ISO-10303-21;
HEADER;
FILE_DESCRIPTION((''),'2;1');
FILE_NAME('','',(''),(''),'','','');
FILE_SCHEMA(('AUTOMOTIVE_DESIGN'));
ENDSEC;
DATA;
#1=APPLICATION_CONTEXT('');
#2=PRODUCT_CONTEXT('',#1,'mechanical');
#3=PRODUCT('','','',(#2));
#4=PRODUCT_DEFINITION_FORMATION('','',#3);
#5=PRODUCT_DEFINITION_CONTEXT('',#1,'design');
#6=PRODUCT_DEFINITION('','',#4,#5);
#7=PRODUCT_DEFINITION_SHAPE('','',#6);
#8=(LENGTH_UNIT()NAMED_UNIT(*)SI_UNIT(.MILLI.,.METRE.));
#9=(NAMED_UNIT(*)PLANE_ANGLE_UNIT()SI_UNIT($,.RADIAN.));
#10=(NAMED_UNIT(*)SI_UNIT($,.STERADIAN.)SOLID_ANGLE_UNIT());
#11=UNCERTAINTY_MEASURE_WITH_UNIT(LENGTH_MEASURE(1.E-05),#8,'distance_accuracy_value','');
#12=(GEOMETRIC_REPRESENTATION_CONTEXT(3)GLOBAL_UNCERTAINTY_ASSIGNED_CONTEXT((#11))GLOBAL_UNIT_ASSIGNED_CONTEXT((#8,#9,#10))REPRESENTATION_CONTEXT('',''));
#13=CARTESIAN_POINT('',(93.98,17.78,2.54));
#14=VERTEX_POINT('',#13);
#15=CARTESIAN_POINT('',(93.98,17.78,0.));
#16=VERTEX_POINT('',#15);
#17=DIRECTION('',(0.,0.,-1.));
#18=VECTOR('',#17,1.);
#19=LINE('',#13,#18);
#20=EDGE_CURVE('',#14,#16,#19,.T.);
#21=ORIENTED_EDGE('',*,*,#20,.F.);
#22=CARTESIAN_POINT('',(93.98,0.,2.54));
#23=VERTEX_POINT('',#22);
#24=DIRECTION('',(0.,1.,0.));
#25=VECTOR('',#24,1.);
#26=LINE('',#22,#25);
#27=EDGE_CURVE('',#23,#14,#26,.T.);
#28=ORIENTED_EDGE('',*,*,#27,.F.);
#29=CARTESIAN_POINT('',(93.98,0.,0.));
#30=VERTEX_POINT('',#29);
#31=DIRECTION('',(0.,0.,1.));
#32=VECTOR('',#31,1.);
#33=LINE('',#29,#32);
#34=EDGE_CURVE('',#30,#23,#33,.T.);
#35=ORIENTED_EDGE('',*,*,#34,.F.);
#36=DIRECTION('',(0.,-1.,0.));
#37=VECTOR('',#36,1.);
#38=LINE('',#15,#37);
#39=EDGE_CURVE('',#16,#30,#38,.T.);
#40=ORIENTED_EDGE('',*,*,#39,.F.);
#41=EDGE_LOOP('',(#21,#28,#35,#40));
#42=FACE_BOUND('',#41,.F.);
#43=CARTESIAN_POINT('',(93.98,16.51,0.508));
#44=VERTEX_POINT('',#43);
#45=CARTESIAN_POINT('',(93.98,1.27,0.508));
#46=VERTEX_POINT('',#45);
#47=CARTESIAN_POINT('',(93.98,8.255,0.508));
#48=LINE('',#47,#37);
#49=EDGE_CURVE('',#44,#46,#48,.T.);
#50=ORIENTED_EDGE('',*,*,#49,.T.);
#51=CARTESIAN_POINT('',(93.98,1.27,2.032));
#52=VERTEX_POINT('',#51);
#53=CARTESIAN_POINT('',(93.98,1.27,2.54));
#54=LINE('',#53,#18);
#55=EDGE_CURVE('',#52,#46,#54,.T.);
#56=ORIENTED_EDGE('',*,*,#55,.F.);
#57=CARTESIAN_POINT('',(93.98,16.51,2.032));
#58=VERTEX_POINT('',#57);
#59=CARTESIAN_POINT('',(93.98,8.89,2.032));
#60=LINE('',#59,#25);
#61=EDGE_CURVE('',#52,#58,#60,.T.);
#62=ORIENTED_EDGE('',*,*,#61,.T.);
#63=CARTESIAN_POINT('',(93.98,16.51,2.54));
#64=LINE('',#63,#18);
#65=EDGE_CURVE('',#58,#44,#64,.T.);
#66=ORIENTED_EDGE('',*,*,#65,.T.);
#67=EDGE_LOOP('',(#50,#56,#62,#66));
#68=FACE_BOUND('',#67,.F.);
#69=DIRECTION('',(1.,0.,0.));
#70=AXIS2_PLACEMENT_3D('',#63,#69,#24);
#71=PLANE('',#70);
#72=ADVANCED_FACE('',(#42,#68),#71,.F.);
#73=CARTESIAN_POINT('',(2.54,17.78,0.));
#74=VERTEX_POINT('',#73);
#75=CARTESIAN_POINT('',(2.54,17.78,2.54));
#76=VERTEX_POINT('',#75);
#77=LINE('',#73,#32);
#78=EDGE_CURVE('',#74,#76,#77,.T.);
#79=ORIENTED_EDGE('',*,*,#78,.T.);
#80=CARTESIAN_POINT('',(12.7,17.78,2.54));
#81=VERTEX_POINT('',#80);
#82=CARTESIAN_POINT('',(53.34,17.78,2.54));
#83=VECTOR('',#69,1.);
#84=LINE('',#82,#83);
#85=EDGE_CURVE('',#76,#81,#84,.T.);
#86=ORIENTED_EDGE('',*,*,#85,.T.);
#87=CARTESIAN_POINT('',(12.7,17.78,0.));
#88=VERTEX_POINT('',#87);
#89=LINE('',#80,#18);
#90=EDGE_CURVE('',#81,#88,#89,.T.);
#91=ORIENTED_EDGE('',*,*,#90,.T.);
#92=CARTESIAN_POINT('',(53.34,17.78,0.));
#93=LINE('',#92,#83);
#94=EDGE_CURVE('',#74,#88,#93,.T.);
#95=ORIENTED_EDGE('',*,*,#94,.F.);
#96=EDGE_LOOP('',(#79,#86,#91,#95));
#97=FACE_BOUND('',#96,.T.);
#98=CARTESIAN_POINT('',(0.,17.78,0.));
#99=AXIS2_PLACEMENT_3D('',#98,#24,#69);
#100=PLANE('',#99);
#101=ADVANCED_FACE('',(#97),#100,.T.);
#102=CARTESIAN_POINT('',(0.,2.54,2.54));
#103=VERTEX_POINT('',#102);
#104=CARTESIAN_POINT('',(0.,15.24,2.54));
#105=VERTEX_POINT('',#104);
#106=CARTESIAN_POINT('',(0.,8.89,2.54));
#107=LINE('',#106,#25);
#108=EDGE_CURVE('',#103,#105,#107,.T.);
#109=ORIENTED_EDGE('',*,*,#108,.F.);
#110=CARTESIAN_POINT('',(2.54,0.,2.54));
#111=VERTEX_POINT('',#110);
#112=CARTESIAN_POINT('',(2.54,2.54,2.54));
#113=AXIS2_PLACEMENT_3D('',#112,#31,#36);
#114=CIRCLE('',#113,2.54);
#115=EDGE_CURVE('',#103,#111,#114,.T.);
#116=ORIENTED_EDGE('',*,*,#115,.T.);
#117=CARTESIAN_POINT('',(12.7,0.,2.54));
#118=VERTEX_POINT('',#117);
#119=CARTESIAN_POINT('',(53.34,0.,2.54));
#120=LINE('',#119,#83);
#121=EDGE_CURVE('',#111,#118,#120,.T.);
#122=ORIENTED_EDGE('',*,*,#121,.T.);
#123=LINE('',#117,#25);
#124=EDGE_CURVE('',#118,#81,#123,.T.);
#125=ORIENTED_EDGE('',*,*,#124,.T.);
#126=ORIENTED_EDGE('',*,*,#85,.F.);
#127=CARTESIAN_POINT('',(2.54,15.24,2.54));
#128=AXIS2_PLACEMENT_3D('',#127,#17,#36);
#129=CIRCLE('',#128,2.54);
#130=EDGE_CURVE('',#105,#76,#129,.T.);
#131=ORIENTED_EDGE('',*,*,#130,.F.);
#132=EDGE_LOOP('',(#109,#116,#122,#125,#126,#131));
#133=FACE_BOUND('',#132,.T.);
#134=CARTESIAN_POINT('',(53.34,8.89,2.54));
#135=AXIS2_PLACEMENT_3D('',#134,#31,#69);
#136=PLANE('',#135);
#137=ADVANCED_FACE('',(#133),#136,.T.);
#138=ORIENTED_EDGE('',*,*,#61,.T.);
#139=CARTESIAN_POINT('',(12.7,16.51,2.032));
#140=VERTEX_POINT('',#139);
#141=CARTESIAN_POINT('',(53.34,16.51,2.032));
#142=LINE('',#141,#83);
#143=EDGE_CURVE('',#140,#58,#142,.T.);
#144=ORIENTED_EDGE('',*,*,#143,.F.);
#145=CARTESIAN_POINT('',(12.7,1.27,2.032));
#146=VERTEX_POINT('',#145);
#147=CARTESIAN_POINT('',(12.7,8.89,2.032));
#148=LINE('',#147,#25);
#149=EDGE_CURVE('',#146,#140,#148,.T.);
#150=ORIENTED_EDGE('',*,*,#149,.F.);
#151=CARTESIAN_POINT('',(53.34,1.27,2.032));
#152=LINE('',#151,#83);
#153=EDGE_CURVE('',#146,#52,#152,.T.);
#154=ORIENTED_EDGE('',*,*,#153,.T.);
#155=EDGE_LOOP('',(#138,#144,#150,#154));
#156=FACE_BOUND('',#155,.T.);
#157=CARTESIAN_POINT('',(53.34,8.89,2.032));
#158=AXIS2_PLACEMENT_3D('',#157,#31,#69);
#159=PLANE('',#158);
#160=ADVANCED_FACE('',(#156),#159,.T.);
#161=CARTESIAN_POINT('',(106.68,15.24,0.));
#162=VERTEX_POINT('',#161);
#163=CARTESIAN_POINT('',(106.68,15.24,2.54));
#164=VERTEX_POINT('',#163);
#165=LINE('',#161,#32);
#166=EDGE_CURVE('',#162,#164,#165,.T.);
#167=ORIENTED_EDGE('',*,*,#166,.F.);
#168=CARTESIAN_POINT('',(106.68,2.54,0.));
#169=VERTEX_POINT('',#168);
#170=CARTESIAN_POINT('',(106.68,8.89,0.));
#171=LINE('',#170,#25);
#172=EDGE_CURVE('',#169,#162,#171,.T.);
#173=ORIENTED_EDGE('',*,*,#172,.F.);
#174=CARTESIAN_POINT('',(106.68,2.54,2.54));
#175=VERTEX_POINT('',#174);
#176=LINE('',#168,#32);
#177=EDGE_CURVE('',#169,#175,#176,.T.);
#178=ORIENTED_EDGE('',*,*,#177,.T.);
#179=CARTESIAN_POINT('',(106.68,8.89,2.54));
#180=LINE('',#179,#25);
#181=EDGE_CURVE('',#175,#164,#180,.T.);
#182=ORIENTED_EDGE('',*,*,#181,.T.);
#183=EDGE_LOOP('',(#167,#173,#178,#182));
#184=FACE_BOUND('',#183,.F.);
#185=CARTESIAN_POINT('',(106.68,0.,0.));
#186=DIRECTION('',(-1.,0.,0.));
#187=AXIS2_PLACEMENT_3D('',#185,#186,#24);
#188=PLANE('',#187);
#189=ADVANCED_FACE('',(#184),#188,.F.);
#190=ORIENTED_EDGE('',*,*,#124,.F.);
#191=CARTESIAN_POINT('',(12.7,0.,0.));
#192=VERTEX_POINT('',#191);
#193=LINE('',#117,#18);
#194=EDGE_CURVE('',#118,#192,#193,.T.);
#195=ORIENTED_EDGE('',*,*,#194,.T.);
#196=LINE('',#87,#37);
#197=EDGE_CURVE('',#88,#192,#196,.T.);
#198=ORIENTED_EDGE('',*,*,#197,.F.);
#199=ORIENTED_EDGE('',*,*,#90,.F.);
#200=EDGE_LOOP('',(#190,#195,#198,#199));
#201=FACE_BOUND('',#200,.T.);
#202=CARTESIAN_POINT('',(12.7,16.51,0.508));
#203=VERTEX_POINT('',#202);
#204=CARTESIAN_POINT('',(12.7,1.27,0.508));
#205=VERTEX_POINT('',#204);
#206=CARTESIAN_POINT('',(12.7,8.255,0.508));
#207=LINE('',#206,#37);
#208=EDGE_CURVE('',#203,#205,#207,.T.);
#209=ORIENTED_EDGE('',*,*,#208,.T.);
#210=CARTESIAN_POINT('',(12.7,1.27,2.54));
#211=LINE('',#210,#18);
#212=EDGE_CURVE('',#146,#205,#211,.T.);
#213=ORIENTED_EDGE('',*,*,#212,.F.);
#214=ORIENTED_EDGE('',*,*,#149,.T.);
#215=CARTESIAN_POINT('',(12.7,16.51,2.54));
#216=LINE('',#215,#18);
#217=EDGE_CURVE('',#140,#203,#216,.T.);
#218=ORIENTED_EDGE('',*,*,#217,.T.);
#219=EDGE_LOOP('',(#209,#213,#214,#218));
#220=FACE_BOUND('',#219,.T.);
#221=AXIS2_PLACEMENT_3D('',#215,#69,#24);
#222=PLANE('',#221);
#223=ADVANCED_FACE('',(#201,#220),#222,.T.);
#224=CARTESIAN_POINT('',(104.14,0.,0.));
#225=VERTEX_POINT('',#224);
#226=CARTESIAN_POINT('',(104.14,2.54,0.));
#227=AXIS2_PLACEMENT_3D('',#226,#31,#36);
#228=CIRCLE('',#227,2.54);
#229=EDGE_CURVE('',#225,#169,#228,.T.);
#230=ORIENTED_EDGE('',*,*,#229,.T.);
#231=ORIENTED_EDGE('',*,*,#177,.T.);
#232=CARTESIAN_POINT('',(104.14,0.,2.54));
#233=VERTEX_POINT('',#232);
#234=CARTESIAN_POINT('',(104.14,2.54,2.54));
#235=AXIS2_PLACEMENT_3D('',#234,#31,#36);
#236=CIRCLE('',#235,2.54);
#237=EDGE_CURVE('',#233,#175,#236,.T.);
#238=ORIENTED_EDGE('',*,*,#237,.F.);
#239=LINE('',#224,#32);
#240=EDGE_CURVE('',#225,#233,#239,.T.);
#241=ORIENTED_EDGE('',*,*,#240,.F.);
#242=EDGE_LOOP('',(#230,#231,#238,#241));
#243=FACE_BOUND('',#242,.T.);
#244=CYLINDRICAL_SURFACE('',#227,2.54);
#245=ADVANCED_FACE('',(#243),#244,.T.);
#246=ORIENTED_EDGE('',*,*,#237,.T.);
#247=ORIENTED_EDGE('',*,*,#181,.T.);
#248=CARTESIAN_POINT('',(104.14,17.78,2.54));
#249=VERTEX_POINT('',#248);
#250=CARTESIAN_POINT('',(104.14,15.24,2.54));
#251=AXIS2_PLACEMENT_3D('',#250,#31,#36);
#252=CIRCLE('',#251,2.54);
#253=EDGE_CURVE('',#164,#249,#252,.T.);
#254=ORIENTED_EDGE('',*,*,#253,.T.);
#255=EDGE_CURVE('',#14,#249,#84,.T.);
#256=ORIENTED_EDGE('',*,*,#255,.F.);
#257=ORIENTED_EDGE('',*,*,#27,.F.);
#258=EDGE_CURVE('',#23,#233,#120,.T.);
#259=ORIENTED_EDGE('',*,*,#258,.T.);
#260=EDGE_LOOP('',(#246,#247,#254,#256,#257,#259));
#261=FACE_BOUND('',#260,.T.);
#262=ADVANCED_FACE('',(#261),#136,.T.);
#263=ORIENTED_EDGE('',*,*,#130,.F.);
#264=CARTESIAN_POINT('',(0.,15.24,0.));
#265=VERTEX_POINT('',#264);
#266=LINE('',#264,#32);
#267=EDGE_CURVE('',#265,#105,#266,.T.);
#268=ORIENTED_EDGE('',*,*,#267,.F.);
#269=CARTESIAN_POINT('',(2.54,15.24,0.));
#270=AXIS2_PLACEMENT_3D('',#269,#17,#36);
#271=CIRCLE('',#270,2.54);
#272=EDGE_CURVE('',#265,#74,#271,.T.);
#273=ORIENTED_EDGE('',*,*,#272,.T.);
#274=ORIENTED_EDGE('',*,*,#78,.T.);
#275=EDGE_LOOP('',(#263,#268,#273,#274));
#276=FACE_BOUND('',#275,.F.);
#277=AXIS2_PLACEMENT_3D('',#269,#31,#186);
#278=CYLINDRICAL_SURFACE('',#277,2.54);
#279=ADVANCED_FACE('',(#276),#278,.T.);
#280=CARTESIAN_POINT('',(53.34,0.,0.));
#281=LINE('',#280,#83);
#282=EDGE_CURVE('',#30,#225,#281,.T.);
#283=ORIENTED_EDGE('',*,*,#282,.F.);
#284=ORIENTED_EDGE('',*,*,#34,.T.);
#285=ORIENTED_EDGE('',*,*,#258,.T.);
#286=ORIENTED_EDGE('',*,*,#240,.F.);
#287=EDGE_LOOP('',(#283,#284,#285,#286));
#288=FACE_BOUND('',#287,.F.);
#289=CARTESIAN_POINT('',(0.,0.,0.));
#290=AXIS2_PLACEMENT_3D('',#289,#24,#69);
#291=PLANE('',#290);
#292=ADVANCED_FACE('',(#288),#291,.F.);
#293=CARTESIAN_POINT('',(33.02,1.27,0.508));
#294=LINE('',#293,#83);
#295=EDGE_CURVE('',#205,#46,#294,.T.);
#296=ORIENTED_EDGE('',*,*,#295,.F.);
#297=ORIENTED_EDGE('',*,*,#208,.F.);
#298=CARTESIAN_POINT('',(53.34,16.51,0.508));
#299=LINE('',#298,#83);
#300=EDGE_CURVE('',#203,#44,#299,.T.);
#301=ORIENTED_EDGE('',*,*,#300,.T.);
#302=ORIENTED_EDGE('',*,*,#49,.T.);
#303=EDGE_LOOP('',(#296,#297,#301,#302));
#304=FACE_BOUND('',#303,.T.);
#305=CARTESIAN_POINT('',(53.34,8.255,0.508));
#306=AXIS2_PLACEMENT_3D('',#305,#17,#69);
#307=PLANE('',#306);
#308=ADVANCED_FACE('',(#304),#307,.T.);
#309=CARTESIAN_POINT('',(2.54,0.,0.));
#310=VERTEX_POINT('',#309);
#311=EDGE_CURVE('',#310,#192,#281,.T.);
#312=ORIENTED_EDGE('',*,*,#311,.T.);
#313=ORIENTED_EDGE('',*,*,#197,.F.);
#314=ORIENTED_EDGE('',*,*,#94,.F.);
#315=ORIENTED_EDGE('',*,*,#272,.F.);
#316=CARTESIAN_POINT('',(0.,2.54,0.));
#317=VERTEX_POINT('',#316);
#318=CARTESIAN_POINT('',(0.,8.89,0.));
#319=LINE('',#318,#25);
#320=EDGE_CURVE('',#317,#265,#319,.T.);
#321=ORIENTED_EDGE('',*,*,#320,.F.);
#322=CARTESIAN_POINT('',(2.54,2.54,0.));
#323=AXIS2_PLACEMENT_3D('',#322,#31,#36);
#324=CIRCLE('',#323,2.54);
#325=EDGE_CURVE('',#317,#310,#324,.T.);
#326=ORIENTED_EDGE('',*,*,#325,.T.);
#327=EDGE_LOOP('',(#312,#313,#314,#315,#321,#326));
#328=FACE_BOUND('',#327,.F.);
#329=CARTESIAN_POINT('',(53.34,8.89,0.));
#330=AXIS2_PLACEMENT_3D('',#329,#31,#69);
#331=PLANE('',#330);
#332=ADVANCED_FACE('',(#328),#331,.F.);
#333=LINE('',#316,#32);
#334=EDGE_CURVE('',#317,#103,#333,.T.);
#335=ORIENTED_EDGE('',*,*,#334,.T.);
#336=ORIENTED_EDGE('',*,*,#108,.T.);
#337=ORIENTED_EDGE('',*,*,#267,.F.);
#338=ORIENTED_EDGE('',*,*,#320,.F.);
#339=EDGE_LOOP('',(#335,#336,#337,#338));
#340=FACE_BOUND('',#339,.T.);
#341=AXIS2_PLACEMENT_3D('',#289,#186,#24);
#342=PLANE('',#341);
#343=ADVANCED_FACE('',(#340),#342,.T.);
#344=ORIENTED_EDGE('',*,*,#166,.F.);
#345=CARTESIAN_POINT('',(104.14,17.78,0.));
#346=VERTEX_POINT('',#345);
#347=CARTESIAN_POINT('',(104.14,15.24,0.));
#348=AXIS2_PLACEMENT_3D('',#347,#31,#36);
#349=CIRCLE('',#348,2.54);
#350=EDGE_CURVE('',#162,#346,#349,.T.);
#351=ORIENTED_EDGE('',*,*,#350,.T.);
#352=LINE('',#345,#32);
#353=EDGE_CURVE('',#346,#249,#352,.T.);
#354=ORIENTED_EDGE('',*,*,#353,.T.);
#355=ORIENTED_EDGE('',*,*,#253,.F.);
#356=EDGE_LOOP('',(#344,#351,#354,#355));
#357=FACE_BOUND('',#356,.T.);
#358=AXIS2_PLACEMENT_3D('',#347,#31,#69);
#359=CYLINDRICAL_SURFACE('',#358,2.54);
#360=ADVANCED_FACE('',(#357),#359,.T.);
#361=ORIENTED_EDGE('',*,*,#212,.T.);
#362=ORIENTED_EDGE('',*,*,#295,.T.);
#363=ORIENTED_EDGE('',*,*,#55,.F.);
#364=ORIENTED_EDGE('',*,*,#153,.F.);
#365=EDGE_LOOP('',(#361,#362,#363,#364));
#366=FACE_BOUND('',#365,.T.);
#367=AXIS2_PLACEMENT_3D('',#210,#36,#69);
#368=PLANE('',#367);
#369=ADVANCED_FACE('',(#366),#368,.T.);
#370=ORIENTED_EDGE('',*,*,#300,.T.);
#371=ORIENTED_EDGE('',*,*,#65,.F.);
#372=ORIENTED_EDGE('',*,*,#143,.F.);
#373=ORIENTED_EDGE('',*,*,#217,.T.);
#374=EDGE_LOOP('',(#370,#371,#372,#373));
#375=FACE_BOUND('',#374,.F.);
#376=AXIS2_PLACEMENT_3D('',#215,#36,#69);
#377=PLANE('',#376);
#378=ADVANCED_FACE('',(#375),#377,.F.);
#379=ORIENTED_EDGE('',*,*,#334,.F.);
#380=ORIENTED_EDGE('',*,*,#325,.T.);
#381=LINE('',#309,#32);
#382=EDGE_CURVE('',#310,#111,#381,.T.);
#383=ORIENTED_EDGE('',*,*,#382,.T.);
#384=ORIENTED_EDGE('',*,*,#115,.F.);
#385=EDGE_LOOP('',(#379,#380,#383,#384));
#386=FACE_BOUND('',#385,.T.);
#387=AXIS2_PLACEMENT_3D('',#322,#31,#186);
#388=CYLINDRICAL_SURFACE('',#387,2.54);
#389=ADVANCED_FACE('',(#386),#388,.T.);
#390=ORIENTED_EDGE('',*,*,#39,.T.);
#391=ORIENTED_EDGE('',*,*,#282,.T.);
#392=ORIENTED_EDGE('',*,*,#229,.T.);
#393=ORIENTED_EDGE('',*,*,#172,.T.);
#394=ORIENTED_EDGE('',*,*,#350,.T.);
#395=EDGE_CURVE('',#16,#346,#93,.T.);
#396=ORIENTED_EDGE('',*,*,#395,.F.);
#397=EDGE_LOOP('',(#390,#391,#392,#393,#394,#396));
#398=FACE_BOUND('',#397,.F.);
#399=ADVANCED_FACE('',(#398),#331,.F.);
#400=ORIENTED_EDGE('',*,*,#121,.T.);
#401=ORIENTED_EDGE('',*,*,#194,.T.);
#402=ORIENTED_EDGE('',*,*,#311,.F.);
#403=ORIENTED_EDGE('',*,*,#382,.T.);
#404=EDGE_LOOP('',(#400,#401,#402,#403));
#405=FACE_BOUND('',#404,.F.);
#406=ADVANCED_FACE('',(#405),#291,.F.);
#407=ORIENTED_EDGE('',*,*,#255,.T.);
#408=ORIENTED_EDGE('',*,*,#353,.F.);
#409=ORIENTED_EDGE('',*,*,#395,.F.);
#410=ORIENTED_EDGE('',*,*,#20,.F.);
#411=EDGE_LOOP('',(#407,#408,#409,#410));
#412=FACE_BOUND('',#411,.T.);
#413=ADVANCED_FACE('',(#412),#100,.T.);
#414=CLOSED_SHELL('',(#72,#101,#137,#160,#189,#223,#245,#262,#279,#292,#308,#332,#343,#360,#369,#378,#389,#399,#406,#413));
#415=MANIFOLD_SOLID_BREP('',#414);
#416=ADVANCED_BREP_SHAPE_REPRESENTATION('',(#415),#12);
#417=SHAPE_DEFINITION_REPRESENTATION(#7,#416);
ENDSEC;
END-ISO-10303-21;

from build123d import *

# Parameters (mm, degrees)
F0_W     = 106.68
F0_H     = 17.78
F1_DEPTH = 2.54
F2_R     = 2.54
F3_W     = 81.28
F3_H     = 1.27
F4_DEPTH = 25.4
F5_W     = 81.28
F5_H     = 15.24
F6_DEPTH = 0.508
F7_W     = 81.28
F7_H     = 16.51
F8_DEPTH = 0.508


with BuildPart() as f1:
    # F0 (on Top) → F1 (new body)
    with BuildSketch(Plane.XY):
        with Locations((53.34, 8.89)):
            Rectangle(F0_W, F0_H)
    extrude(amount=F1_DEPTH)

    # F2
    f2_edges = [f1.edges().sort_by_distance(p)[0] for p in [
        (106.68, 17.78, 1.27),
        (106.68, 0, 1.27),
        (0, 17.78, 1.27),
        (0, 0, 1.27),
    ]]
    fillet(f2_edges, radius=F2_R)

    # F3 (on face) → F4 (cut)
    with BuildSketch(Plane.XY.offset(2.54)):
        with Locations((53.34, 17.145)):
            Rectangle(F3_W, F3_H)
        with Locations((53.34, 0.635)):
            Rectangle(F3_W, F3_H)
    extrude(amount=-F4_DEPTH, mode=Mode.SUBTRACT)

    # F5 (on face) → F6 (cut)
    with BuildSketch(Plane.XY.offset(2.54)):
        with Locations((53.34, 8.89)):
            Rectangle(F5_W, F5_H)
    extrude(amount=-F6_DEPTH, mode=Mode.SUBTRACT)

    # F7 (on face) → F8 (cut)
    with BuildSketch(Plane(origin=(0, 0, 0), x_dir=(1, 0, 0), z_dir=(0, 0, -1))):
        with Locations((53.34, -8.255)):
            Rectangle(F7_W, F7_H)
    extrude(amount=-F8_DEPTH, mode=Mode.SUBTRACT)


solid = f1.part
